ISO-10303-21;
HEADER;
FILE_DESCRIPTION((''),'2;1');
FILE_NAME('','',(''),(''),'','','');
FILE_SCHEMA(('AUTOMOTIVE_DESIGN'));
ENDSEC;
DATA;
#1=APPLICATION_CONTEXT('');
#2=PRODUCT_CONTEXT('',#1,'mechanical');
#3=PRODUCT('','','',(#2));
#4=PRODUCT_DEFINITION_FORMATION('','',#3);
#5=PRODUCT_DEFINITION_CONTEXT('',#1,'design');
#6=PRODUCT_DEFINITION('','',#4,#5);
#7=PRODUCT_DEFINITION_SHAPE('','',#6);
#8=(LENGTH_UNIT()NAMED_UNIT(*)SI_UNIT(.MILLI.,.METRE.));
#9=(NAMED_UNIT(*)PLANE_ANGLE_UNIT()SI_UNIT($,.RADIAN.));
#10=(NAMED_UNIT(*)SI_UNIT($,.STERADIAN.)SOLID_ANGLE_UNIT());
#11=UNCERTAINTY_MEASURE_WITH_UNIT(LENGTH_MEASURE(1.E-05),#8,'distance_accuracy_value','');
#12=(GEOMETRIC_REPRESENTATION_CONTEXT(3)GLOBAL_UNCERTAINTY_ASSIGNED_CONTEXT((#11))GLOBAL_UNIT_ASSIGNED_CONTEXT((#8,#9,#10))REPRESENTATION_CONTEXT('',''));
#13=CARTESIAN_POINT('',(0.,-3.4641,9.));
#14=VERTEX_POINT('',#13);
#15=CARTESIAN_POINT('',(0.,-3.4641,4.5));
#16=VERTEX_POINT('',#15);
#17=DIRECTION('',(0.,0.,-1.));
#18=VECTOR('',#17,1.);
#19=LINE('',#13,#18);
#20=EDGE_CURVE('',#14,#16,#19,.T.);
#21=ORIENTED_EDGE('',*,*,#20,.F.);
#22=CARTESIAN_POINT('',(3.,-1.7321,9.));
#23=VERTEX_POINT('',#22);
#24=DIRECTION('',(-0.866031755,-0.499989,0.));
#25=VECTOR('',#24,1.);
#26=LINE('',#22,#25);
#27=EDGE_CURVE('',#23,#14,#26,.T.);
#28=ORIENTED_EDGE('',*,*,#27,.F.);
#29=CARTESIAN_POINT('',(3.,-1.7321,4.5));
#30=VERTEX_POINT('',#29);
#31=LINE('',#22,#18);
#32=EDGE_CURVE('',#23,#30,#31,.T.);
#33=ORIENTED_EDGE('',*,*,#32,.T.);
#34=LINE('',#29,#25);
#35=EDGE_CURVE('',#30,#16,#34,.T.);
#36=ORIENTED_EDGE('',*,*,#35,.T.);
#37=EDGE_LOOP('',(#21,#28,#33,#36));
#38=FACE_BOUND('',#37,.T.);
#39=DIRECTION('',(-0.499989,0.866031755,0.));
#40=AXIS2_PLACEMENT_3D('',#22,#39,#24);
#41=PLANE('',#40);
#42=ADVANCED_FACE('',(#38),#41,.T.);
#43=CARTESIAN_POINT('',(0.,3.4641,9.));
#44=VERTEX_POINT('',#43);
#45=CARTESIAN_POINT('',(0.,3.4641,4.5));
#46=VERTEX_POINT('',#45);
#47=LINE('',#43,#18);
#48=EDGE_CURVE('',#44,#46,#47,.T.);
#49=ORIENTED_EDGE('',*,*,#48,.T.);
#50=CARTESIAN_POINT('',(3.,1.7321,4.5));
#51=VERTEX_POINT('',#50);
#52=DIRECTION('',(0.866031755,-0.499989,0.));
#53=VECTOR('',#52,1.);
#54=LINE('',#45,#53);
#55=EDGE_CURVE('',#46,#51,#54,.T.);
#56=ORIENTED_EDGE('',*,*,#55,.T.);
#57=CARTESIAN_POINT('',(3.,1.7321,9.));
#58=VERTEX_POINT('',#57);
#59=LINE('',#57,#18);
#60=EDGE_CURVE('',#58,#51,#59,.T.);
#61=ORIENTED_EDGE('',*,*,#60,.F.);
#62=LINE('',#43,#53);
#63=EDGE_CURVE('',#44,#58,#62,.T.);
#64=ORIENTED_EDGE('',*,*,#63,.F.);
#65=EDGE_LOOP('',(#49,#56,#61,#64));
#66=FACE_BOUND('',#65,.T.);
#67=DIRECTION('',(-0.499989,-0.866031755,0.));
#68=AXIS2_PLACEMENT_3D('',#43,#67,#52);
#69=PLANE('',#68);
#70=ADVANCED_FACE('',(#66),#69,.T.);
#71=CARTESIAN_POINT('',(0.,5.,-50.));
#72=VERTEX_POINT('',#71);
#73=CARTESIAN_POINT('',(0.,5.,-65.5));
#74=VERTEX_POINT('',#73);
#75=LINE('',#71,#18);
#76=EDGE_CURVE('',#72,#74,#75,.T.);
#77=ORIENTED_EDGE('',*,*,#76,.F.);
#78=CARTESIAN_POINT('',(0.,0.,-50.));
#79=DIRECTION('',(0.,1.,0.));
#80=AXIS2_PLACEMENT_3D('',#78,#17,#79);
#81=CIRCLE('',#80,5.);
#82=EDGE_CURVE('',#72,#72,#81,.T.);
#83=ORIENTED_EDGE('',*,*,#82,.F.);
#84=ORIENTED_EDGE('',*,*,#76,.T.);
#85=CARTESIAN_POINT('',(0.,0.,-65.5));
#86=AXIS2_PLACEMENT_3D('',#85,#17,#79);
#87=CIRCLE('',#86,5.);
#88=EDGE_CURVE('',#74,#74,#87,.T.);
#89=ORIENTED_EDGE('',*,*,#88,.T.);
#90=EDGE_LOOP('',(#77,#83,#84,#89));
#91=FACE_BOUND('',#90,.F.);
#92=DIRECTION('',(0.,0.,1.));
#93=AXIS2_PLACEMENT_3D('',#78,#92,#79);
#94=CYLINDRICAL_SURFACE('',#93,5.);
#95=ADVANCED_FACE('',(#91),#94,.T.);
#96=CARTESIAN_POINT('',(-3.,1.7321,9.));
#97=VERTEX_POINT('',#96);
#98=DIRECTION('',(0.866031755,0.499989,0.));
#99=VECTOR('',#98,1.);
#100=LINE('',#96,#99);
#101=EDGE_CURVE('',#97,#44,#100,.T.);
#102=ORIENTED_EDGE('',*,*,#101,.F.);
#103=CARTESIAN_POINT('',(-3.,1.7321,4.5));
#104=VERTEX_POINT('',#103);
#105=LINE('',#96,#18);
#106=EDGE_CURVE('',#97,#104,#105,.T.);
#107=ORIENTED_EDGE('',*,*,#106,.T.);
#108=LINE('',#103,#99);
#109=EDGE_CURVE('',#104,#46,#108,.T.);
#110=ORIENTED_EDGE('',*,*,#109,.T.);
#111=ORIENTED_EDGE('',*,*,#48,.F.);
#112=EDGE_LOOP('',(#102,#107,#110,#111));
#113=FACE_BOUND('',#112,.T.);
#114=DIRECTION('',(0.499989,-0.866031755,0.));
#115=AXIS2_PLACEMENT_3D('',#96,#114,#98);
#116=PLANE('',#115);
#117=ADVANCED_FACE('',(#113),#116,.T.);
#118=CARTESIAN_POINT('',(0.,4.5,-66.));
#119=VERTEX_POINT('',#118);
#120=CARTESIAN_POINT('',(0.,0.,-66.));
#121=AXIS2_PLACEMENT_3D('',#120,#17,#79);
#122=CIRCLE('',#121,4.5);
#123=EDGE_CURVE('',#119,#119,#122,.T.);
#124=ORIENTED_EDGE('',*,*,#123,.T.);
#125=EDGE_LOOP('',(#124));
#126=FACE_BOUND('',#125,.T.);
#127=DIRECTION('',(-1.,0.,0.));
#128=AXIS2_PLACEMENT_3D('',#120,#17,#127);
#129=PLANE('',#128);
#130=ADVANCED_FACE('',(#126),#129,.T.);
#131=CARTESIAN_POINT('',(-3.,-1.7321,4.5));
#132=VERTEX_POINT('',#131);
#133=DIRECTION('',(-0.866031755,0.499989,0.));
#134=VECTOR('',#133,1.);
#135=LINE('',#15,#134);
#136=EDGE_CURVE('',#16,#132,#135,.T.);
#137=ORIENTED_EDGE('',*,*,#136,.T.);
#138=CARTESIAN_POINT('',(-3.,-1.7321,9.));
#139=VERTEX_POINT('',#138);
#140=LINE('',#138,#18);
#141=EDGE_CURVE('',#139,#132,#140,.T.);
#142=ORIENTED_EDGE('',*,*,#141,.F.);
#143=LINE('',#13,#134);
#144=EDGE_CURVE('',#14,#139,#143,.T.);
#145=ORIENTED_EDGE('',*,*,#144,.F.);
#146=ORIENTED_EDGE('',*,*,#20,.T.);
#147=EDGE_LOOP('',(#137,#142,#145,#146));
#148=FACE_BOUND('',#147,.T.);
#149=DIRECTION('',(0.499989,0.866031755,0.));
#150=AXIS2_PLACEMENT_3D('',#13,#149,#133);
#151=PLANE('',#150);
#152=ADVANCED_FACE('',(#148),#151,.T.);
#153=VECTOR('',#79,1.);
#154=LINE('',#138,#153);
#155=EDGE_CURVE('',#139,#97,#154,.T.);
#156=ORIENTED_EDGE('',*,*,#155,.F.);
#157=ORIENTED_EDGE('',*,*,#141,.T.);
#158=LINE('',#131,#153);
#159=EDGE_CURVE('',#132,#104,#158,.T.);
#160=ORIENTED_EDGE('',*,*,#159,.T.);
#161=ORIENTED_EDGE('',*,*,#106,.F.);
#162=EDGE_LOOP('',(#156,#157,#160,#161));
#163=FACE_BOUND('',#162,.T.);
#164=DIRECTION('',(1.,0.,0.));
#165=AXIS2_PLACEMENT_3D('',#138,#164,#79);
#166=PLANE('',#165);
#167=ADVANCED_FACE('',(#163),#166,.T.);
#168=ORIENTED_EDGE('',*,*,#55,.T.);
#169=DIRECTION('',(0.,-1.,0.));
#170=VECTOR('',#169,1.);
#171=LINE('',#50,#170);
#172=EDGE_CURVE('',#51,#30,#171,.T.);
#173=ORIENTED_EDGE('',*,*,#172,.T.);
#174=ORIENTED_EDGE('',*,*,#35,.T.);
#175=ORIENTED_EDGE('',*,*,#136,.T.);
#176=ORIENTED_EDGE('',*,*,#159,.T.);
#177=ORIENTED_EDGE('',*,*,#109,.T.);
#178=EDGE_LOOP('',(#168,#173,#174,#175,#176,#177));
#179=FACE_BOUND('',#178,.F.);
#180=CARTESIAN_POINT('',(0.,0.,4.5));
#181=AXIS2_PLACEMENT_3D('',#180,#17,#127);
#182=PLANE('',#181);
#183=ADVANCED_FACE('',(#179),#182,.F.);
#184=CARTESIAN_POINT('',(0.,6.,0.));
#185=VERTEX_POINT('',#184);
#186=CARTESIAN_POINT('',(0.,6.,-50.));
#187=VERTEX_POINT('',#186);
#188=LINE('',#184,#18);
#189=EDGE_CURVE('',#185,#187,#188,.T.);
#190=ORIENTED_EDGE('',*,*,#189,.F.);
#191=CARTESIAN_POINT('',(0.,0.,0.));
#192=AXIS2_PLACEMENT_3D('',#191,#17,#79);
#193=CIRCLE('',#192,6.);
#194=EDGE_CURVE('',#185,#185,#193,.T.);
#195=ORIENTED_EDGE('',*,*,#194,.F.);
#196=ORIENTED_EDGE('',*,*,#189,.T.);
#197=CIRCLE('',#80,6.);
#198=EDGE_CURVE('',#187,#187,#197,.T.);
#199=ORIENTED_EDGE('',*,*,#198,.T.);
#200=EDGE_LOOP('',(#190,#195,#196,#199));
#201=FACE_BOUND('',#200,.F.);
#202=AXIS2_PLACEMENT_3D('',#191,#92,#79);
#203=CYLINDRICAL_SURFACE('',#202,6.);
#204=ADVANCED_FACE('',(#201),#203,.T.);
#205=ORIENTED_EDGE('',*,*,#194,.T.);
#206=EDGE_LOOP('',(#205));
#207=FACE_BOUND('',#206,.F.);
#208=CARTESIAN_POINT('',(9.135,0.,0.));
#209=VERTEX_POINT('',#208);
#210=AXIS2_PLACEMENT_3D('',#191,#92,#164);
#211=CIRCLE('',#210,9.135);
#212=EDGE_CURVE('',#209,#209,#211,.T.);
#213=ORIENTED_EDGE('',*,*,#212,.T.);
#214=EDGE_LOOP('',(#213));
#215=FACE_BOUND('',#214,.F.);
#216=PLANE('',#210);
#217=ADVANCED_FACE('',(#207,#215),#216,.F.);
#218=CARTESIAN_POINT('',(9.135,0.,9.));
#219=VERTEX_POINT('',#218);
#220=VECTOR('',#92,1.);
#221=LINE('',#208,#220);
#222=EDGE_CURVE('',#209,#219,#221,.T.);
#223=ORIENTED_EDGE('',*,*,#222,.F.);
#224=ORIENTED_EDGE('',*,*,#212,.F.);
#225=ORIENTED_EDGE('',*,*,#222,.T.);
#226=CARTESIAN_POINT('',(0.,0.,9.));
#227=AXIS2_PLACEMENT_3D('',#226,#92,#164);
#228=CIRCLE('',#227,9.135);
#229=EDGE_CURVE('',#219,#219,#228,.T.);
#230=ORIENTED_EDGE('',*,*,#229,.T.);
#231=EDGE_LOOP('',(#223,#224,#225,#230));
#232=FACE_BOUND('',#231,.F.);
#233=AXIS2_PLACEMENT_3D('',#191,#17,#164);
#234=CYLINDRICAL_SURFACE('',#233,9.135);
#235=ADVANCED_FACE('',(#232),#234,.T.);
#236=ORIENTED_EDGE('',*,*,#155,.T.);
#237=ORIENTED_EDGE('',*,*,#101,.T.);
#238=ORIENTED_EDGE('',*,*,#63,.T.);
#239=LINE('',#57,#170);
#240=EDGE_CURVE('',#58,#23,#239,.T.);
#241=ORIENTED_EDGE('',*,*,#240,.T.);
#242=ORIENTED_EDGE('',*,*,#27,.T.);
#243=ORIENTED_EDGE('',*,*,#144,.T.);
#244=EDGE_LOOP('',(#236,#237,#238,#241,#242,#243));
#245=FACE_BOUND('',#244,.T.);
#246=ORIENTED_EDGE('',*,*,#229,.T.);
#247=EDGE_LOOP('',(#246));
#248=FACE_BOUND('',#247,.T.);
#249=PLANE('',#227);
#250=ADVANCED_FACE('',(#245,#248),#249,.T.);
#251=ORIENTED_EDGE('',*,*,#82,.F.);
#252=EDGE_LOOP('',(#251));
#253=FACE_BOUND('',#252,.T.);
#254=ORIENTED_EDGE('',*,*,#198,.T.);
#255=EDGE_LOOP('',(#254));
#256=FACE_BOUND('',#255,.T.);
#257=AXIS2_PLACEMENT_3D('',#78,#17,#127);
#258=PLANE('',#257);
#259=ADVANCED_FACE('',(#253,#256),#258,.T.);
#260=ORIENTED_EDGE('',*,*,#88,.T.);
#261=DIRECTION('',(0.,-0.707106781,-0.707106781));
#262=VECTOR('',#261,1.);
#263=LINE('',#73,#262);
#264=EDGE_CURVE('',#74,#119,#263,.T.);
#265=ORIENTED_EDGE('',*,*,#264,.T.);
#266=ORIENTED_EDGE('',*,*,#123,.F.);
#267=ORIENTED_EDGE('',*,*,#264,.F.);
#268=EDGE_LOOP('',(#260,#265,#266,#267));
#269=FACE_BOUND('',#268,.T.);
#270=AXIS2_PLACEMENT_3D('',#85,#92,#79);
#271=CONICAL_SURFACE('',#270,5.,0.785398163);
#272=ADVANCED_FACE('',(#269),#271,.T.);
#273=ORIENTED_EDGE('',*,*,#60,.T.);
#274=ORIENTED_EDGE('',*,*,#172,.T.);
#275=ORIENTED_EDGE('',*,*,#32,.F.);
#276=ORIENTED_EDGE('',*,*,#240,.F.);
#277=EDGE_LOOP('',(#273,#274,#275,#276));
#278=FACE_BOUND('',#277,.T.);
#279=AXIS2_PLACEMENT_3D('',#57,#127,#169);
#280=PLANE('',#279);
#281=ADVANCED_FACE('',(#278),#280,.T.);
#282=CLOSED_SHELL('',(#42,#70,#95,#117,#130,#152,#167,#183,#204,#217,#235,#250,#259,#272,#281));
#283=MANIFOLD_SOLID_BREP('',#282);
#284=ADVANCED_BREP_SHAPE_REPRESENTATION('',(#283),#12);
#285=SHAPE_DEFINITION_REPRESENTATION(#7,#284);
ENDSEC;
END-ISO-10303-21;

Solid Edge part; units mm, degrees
sketch "Sketch1" plane through (0, 0, 0) normal (0, 0, 1) x (1, 0, 0)
  circle A0 centre (0, 0) radius 9.135
  dimension "D1" = 18.27
extrude "Protrusion1" add sketch "Sketch1" along normal blind 9
sketch "Sketch2" plane through (0, 0, 9) normal (0, 0, 1) x (1, 0, 0)
  line L0 (0, -3.4641) -> (-3, -1.7321)
  line L1 (-3, -1.7321) -> (-3, 1.7321)
  line L2 (-3, 1.7321) -> (0, 3.4641)
  line L3 (0, 3.4641) -> (3, 1.7321)
  line L4 (3, 1.7321) -> (3, -1.7321)
  line L5 (3, -1.7321) -> (0, -3.4641)
  dimension "D1" = 6
extrude "Cutout1" cut sketch "Sketch2" against normal blind 4.5
sketch "Sketch3" plane through (0, 0, 0) normal (0, 0, -1) x (0, 1, 0)
  circle A0 centre (0, 0) radius 6
  dimension "D1" = 12
extrude "Protrusion2" add sketch "Sketch3" along normal blind 50
sketch "Sketch4" plane through (0, 0, -50) normal (0, 0, -1) x (0, 1, 0)
  circle A0 centre (0, 0) radius 5
  dimension "D1" = 10
extrude "Protrusion3" add sketch "Sketch4" along normal blind 16
chamfer "Chamfer1" distance 0.5 angle 45 1 edges at (0, -5, -66)
properties part number "156599"
